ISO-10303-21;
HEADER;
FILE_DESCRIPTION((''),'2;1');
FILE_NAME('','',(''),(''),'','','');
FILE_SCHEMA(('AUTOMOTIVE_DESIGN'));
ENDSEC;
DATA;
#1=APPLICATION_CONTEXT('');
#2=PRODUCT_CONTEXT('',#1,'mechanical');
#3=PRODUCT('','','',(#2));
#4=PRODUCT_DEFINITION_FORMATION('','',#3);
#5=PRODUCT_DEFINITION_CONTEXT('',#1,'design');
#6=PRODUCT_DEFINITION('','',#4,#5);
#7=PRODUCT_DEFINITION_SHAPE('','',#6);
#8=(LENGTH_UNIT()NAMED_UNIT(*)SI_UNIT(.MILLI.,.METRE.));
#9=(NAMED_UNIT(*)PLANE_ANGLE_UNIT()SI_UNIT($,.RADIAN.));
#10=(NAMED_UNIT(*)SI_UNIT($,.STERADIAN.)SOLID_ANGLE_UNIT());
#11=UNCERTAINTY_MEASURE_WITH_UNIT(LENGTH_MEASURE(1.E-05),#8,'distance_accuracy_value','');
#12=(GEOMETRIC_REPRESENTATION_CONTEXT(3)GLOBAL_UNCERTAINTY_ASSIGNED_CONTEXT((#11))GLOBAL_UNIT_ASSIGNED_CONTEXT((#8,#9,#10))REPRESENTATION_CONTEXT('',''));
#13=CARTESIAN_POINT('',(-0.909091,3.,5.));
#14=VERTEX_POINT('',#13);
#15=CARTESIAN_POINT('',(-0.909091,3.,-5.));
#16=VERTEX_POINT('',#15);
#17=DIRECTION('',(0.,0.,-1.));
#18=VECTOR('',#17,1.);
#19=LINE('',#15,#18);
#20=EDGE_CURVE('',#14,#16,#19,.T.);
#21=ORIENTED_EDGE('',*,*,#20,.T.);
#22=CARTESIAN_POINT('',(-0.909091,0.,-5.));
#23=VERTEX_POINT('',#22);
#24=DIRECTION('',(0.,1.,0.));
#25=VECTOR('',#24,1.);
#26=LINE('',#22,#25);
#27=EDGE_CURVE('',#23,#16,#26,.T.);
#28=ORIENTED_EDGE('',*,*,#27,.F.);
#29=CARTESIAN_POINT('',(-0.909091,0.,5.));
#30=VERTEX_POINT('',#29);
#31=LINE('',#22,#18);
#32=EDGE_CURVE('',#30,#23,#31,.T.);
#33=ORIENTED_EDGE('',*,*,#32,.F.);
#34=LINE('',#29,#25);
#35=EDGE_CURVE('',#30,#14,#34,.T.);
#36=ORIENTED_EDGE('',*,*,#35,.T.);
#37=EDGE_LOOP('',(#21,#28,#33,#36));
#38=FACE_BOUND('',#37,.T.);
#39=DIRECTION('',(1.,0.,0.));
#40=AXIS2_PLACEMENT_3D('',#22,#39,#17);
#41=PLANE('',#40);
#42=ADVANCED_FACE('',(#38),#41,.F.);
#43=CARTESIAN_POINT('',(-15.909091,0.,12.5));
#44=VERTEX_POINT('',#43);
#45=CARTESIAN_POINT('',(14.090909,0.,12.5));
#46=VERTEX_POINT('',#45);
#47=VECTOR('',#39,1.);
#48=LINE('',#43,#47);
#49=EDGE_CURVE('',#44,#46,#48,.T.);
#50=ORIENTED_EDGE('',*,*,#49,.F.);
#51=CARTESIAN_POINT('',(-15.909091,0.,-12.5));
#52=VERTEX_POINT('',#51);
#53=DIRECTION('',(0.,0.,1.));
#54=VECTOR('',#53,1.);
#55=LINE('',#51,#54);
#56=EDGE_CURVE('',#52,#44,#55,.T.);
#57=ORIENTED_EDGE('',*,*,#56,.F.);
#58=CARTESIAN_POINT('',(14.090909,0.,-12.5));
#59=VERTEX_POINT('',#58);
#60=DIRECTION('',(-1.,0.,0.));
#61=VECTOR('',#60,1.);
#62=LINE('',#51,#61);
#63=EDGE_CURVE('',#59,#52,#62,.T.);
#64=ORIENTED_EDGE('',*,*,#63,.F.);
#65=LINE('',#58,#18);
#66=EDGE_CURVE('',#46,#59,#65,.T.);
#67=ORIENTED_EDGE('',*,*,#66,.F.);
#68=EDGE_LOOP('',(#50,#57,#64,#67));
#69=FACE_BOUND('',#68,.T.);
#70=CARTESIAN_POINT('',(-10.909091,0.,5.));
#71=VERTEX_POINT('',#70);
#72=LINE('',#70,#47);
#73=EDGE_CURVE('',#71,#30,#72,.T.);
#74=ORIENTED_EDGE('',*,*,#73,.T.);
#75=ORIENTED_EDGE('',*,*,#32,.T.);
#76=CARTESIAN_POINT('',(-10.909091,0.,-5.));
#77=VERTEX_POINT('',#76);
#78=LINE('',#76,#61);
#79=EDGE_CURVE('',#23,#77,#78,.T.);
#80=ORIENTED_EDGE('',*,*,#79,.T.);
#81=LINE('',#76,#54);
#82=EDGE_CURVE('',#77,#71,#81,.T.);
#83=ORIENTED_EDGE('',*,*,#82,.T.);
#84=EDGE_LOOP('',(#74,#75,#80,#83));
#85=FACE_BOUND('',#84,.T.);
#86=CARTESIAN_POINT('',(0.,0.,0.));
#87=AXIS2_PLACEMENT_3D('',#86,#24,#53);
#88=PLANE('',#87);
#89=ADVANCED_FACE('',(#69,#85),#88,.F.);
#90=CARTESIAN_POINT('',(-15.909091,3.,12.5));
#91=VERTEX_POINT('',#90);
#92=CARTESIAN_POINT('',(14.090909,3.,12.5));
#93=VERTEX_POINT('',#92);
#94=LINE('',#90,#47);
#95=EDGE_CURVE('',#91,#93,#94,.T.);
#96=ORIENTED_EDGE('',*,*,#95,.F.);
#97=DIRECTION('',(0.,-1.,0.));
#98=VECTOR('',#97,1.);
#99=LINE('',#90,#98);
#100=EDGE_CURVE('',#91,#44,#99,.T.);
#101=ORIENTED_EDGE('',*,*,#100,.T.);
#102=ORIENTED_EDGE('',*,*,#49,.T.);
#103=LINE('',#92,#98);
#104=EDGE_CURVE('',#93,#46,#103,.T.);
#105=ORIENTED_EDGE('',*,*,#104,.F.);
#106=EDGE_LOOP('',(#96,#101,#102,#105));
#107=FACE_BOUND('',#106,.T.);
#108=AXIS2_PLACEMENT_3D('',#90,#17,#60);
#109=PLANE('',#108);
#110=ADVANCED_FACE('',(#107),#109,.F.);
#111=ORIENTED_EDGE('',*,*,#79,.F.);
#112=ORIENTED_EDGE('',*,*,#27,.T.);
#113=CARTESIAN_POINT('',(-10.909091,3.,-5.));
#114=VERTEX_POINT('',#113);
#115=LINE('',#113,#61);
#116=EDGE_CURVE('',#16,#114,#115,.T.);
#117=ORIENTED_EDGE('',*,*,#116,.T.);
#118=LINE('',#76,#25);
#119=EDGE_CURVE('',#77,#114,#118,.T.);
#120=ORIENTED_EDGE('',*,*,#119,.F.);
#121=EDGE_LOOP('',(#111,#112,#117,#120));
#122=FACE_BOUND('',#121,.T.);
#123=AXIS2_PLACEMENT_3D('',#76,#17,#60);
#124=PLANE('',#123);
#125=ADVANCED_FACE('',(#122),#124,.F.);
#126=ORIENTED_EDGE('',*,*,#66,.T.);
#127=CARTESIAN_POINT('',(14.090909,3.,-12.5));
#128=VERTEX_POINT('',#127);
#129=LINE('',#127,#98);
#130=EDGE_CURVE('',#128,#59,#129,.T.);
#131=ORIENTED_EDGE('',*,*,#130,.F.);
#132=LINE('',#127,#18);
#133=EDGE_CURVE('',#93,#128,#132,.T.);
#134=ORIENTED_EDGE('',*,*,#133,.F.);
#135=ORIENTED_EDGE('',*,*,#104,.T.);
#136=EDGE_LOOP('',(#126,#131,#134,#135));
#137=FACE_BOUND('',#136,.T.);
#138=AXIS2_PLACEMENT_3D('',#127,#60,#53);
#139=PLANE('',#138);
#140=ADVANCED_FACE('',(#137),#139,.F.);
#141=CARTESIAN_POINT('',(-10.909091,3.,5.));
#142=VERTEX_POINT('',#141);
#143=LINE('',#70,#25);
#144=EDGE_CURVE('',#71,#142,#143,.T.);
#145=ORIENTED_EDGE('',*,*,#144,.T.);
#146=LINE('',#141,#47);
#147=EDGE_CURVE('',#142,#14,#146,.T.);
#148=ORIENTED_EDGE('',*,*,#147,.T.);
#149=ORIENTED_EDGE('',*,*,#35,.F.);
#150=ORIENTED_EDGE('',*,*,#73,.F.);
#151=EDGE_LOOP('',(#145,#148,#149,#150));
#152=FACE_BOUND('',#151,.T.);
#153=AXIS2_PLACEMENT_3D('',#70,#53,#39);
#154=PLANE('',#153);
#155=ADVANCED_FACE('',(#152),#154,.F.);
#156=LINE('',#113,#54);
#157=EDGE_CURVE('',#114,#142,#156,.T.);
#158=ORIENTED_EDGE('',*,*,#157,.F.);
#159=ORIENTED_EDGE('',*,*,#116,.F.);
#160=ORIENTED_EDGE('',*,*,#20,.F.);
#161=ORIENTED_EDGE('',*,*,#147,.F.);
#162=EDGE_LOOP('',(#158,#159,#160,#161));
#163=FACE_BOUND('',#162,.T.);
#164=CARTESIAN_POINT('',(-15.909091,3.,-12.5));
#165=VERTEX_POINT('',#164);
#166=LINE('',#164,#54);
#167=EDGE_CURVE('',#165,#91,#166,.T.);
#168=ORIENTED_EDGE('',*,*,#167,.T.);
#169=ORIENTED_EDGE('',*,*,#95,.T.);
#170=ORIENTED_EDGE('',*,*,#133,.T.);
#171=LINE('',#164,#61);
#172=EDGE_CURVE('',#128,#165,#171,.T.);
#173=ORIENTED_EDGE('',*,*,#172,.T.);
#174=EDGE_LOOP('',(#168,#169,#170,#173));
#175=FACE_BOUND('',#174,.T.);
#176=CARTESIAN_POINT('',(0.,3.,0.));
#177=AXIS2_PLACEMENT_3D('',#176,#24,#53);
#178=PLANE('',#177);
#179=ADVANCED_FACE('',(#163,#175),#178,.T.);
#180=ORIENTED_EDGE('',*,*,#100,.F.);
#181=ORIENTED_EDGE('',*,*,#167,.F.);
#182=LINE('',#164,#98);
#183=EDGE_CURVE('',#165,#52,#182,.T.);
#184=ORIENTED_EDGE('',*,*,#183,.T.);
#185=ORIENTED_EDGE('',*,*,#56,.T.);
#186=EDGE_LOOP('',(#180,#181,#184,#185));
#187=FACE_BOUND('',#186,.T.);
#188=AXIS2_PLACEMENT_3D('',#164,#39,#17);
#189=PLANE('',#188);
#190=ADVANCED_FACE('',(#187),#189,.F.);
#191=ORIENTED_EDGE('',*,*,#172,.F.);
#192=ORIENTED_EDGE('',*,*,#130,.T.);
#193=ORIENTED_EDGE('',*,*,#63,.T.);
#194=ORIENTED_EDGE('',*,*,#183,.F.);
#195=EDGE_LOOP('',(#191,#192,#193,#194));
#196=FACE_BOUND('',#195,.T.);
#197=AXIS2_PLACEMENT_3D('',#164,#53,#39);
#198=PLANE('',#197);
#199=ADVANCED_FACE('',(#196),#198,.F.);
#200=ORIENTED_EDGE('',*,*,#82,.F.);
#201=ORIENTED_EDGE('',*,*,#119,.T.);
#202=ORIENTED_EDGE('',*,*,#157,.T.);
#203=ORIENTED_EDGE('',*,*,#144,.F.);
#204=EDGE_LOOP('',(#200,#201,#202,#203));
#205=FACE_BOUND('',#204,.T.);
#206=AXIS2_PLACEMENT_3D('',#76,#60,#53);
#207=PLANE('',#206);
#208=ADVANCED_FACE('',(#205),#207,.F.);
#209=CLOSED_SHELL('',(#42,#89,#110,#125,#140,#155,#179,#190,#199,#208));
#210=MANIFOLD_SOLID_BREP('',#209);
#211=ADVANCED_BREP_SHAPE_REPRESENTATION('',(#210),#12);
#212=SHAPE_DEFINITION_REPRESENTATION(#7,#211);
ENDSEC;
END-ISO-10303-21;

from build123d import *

# Parameters (mm, degrees)
SKETCH6_W           = 30
SKETCH6_H           = 25
BOSS_EXTRUDE6_DEPTH = 3
SKETCH8_W           = 10
SKETCH8_H           = 10
CUT_EXTRUDE1_DEPTH  = 21.453585836


with BuildPart() as part:
    # Sketch6 → Boss-Extrude6 (new body)
    with BuildSketch(Plane(origin=(0, 0, 0), x_dir=(1, 0, 0), z_dir=(0, 1, 0))):
        with Locations((-0.909090909, 0)):
            Rectangle(SKETCH6_W, SKETCH6_H)
    extrude(amount=BOSS_EXTRUDE6_DEPTH)

    # Sketch8 → Cut-Extrude1 (cut, through all)
    with BuildSketch(Plane(origin=(0, 3, 0), x_dir=(1, 0, 0), z_dir=(0, 1, 0))):
        with Locations((-5.909090909, 0)):
            Rectangle(SKETCH8_W, SKETCH8_H)
    extrude(amount=-CUT_EXTRUDE1_DEPTH, mode=Mode.SUBTRACT)


solid = part.part
